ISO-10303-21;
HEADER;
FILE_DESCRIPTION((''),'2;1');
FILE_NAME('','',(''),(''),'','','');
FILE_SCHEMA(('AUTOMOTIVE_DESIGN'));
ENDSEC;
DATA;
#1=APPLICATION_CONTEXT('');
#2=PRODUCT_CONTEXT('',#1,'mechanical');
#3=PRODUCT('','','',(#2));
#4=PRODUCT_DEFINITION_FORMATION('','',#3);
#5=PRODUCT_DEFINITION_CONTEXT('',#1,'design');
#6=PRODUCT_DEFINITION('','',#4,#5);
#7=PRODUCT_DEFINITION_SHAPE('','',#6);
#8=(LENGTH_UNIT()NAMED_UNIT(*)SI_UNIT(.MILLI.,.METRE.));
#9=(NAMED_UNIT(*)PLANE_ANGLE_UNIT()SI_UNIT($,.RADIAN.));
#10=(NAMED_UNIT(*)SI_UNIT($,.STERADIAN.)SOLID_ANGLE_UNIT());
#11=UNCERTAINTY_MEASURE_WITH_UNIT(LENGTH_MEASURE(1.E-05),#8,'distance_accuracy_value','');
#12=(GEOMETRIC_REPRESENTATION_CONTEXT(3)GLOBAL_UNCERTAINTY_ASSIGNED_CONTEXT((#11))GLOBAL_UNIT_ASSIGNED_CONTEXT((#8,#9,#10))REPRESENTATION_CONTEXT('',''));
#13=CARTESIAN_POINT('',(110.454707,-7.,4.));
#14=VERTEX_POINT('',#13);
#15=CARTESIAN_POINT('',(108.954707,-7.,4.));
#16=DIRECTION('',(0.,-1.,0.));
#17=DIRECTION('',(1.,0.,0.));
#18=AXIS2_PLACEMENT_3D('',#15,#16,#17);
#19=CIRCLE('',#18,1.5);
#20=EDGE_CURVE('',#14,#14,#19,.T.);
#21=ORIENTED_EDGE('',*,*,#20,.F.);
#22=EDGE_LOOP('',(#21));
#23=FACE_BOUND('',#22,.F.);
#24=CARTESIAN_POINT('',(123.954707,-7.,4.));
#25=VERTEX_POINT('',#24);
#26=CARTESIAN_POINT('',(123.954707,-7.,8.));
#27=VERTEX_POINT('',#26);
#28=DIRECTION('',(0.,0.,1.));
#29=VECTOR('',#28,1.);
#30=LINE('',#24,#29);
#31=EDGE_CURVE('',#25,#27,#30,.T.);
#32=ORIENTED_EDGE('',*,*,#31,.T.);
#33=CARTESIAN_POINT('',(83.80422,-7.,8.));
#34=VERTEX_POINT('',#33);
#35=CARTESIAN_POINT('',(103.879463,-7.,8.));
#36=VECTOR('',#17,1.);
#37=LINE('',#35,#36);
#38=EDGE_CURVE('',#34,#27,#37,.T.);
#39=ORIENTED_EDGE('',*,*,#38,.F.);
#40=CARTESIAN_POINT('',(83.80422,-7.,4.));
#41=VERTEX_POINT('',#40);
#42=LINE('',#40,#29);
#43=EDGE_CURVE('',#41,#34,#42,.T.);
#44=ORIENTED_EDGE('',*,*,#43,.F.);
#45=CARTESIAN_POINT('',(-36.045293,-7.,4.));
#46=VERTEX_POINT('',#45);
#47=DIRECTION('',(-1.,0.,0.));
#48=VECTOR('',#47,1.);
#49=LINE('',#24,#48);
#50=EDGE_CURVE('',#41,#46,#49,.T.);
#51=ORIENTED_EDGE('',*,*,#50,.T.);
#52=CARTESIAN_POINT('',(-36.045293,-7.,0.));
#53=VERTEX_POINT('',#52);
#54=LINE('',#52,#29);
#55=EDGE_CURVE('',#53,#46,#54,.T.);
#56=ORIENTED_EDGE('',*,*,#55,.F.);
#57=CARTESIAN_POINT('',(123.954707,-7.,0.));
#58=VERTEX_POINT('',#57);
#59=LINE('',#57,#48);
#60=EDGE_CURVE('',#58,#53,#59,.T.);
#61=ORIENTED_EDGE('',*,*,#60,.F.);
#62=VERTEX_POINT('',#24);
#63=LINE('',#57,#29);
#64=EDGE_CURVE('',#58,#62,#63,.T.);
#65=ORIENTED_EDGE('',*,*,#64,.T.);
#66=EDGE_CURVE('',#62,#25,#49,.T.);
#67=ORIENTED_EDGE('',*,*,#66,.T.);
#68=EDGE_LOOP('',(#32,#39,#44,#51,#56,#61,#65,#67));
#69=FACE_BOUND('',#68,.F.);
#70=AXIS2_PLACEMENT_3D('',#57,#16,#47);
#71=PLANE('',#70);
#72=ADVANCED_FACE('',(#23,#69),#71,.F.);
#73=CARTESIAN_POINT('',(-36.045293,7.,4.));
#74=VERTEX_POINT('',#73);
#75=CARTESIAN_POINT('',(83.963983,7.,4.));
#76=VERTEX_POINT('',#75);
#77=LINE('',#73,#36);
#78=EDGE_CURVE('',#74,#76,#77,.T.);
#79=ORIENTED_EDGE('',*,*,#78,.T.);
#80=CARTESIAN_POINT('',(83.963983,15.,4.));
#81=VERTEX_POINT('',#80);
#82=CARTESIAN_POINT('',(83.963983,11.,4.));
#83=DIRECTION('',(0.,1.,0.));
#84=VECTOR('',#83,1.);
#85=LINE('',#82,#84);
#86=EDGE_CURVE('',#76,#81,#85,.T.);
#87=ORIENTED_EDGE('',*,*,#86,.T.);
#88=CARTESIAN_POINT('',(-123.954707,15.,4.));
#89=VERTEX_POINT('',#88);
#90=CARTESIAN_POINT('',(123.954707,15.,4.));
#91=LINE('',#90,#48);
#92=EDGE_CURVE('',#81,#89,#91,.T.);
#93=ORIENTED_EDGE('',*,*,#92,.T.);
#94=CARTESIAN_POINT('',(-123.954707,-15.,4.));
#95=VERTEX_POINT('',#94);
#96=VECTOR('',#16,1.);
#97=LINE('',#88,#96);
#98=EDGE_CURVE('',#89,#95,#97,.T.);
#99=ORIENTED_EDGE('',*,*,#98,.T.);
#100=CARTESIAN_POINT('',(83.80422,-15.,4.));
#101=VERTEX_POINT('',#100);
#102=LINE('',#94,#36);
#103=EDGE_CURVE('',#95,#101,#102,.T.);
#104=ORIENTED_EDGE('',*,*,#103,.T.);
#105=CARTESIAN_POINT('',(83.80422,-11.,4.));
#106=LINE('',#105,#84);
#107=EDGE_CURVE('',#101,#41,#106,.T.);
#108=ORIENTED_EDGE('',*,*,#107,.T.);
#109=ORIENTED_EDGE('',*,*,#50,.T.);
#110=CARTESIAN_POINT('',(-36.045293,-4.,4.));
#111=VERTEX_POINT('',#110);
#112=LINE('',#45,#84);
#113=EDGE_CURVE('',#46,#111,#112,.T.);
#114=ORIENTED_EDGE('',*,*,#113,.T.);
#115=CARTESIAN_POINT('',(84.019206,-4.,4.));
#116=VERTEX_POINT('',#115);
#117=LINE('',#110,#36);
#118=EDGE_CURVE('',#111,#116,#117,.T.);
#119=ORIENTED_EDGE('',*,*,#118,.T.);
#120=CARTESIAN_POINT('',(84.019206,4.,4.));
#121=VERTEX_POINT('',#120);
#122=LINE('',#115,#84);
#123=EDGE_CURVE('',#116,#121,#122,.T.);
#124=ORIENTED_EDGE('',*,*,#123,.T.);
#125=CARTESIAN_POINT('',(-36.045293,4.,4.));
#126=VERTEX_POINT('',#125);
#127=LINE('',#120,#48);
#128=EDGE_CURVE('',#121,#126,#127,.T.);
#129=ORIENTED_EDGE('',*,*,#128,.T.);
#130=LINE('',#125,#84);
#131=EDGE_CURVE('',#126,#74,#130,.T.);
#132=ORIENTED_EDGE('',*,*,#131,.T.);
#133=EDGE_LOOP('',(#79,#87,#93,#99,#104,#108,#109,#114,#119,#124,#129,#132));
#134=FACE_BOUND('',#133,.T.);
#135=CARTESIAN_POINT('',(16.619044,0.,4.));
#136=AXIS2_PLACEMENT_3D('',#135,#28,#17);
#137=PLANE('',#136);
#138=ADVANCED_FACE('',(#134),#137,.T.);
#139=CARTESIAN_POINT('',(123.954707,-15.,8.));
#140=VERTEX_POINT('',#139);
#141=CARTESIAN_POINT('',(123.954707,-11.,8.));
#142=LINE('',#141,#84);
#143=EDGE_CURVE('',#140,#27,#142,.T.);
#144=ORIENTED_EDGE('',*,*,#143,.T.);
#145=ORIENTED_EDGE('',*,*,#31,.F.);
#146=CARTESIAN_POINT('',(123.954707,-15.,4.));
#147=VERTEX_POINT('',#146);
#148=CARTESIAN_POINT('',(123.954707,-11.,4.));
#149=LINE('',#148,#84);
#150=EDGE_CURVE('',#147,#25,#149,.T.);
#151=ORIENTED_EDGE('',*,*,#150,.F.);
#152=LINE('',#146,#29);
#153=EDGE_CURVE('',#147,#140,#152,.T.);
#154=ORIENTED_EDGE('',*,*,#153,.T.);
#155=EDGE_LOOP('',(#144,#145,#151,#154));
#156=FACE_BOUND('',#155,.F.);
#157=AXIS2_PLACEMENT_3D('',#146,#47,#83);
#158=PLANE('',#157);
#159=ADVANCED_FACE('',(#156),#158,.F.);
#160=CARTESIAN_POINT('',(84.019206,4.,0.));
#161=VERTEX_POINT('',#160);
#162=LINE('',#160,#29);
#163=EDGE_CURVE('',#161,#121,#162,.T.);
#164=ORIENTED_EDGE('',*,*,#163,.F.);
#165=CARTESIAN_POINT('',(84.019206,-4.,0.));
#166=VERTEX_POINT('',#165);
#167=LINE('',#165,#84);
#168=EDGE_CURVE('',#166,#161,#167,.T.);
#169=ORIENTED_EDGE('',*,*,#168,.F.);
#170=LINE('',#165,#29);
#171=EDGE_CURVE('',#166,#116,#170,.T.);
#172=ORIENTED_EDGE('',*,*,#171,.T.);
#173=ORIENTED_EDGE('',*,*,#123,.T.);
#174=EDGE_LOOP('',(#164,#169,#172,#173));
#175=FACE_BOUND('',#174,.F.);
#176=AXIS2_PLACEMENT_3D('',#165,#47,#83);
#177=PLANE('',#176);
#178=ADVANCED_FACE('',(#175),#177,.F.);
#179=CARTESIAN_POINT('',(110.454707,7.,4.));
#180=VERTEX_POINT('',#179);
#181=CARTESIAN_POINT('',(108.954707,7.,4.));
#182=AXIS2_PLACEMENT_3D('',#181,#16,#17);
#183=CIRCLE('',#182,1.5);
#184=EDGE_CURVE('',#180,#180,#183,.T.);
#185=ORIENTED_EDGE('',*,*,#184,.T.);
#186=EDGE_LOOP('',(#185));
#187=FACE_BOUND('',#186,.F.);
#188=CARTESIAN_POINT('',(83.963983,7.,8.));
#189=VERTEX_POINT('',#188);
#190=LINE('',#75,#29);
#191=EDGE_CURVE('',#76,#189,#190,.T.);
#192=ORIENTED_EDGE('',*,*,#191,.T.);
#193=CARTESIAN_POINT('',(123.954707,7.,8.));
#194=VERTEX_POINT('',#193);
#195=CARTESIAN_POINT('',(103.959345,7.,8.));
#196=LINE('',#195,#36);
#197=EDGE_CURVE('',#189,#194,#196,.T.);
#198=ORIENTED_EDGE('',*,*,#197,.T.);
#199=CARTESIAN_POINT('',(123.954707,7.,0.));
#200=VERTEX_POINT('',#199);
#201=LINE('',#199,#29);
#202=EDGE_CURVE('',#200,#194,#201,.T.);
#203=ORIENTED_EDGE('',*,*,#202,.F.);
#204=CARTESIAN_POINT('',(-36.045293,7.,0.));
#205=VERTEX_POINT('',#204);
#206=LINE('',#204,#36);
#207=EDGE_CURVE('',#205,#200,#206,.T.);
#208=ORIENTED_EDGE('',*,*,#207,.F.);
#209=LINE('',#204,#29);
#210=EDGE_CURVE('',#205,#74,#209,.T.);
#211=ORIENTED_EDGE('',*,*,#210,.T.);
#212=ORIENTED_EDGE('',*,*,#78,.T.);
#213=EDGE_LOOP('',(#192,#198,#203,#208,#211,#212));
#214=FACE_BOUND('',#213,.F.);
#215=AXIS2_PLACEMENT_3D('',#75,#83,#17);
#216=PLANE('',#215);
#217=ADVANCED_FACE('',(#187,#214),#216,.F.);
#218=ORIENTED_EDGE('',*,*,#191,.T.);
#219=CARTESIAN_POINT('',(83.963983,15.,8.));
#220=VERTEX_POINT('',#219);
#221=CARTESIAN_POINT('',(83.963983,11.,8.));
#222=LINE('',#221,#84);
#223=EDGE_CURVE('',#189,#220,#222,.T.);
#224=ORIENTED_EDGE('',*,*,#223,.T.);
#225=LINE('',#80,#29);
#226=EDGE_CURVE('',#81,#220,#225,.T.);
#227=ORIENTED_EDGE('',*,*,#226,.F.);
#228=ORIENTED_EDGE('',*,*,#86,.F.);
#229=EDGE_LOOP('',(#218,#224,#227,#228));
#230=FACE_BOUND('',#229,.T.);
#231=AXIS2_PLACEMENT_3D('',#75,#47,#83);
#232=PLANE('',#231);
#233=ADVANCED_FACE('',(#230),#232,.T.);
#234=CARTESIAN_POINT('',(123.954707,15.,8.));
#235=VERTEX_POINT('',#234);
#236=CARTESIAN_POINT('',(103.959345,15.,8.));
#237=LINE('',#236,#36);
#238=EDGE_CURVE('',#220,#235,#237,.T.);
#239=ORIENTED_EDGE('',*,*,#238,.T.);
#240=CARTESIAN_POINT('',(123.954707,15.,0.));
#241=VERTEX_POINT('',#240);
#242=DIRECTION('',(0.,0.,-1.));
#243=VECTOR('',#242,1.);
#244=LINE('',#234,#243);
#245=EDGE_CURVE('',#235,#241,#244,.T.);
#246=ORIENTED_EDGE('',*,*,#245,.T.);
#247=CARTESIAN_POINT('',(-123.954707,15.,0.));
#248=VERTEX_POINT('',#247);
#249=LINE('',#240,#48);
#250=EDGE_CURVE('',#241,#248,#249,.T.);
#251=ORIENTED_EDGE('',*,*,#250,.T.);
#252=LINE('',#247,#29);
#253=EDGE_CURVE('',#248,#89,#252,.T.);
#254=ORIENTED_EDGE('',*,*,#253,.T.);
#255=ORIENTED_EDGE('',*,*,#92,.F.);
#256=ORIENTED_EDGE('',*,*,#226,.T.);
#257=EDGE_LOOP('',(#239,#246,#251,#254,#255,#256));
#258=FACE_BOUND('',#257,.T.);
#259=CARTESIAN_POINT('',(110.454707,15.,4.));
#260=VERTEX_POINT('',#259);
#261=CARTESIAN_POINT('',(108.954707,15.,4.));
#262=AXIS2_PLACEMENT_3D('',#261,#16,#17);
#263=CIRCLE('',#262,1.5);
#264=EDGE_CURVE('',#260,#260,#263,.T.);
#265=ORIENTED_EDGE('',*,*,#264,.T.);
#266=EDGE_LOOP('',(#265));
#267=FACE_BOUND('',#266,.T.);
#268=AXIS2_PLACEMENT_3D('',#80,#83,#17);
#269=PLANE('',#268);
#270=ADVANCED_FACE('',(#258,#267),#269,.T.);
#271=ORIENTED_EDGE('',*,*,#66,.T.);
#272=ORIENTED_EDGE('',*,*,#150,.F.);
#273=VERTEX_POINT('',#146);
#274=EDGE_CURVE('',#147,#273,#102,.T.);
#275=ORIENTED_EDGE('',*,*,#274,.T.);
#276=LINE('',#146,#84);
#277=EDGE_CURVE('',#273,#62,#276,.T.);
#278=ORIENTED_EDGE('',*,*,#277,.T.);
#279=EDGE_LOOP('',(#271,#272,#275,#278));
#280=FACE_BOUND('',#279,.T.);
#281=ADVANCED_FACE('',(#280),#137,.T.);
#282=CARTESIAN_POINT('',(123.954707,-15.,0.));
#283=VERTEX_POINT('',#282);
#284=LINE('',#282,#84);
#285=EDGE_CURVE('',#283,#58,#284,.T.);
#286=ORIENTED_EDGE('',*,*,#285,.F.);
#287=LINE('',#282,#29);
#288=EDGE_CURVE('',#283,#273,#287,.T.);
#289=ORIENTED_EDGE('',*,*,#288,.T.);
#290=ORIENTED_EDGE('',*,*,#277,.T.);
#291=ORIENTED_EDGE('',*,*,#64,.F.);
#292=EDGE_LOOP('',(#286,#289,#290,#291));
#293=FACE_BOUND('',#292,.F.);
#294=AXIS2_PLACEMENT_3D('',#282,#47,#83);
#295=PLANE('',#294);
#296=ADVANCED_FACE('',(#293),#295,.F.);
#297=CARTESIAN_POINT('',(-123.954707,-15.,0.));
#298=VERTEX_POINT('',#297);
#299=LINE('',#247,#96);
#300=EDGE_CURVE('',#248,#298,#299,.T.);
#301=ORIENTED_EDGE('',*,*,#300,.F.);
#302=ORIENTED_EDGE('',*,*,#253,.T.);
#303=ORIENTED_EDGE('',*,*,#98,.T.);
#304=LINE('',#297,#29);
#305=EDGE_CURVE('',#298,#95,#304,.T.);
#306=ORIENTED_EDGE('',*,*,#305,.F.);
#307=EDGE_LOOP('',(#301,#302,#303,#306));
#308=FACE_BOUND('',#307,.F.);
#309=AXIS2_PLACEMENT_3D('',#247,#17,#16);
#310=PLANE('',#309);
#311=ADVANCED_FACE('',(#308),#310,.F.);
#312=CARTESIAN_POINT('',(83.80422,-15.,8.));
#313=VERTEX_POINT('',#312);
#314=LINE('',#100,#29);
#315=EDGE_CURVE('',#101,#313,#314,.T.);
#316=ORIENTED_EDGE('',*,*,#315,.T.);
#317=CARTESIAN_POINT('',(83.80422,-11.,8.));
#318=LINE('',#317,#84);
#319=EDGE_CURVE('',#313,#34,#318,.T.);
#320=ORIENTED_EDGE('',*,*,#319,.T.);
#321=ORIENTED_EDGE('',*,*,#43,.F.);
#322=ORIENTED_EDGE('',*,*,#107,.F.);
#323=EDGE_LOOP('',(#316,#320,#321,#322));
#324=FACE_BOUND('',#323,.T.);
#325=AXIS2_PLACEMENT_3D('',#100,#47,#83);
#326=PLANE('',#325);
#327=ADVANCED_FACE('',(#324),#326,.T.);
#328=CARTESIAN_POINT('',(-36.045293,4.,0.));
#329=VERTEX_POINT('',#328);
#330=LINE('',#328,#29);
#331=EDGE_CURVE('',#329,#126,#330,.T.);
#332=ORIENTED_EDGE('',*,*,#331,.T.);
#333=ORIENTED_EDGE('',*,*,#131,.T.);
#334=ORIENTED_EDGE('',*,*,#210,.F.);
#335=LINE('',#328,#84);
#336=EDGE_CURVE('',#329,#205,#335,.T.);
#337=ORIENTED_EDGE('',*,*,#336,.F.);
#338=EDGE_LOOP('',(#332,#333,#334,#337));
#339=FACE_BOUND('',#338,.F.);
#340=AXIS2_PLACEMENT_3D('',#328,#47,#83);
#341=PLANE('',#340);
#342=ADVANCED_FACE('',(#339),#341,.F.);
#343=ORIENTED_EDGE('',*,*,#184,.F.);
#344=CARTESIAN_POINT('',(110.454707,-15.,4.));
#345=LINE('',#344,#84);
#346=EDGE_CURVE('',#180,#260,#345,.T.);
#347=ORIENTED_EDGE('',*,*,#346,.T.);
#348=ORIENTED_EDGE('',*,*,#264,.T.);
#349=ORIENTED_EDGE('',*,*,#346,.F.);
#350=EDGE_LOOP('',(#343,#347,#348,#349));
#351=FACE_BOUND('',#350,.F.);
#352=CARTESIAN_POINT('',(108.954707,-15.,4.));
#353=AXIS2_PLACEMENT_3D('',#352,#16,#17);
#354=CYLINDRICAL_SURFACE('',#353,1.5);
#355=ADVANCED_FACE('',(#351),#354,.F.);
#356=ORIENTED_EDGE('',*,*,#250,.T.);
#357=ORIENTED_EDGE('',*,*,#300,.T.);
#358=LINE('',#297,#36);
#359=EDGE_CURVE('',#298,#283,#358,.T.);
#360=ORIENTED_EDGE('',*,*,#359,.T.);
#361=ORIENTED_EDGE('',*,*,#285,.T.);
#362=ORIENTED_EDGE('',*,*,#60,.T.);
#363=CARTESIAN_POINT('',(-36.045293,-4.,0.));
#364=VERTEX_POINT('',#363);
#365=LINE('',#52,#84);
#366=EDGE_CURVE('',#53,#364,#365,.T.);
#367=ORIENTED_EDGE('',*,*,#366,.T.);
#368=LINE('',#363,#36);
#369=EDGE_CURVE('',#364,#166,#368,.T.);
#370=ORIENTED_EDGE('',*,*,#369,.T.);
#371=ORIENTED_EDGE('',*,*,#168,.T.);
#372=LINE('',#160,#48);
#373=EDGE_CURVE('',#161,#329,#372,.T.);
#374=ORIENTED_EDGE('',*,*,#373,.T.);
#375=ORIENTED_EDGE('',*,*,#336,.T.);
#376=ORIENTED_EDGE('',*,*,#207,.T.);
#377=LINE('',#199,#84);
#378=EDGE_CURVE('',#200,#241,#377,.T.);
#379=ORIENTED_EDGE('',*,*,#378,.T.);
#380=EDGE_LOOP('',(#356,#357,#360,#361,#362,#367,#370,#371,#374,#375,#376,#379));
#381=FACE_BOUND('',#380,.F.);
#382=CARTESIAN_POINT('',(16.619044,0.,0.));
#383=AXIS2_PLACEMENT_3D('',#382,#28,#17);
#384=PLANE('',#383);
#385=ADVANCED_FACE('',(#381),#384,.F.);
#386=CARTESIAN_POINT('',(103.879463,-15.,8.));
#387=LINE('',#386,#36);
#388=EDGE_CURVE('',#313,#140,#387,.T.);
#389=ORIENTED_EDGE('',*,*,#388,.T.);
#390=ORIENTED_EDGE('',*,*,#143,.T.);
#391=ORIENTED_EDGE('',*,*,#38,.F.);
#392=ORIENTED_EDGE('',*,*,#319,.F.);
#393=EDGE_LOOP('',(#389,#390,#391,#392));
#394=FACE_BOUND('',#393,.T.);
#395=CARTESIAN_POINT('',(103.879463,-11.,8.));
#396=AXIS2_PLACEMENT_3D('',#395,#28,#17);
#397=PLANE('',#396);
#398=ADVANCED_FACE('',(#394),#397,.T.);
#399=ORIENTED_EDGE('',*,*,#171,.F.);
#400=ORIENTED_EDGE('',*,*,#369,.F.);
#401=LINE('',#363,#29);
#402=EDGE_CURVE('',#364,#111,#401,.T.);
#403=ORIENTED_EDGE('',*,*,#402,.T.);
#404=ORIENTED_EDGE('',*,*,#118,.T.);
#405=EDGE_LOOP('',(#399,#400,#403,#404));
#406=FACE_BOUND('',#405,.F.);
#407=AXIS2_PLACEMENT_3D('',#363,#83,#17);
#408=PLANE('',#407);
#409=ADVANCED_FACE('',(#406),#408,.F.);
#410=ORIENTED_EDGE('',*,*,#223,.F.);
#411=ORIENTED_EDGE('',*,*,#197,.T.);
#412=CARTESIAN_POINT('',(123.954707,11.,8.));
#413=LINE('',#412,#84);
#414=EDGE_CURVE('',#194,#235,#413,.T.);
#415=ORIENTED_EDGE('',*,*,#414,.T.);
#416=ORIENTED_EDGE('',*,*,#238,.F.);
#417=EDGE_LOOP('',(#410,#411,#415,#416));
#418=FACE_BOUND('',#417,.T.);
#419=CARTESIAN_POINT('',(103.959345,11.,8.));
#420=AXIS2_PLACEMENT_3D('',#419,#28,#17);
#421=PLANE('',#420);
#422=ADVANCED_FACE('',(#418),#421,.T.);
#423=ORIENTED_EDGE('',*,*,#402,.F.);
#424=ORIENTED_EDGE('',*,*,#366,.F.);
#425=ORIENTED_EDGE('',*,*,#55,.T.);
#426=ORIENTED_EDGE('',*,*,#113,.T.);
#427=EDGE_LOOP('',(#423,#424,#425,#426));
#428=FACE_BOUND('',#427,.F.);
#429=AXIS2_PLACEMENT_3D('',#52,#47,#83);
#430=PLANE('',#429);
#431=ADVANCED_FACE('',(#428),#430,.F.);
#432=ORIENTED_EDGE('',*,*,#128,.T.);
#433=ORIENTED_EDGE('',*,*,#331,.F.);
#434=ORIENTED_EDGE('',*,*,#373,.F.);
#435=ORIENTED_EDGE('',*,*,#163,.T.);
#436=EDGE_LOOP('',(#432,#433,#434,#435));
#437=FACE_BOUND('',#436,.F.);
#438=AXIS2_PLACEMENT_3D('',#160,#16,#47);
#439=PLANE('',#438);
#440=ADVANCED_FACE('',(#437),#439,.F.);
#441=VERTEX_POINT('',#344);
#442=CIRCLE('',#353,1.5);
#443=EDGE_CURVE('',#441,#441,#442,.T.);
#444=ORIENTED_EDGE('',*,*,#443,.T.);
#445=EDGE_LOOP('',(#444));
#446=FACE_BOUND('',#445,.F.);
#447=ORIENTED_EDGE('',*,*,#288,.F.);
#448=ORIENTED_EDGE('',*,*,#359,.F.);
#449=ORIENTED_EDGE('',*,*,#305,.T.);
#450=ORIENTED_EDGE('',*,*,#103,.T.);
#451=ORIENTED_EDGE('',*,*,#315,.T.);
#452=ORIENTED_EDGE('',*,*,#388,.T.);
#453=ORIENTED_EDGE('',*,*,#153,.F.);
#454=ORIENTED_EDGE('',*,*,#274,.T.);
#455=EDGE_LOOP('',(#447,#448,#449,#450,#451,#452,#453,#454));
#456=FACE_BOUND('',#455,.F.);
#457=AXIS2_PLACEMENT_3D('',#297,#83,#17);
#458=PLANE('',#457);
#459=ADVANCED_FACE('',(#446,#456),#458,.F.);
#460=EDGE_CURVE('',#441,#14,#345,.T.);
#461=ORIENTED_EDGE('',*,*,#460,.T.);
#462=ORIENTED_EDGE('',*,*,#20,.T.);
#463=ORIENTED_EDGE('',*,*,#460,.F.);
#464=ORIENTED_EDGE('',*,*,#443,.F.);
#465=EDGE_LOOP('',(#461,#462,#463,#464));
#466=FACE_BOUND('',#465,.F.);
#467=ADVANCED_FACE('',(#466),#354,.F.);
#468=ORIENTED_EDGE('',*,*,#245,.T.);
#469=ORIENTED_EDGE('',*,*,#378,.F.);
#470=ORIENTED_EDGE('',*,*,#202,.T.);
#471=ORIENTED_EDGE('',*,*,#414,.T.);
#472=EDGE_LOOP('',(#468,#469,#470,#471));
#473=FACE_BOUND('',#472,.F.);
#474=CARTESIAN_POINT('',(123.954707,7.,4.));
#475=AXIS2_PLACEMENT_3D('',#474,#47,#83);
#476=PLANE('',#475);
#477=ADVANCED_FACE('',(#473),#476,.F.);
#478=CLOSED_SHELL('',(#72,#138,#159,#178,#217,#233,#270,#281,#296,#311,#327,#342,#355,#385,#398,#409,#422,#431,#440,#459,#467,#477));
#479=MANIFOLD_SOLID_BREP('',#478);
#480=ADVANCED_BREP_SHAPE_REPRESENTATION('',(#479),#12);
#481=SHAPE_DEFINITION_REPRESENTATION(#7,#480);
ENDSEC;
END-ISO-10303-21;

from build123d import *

# Parameters (mm, degrees)
F1_DEPTH = 4
F2_W     = 39.990724
F2_H     = 8
F2_W_2   = 40.150487
F3_DEPTH = 4
F4_DEPTH = 4
F5_R     = 1.5
F6_DEPTH = 43


with BuildPart() as f1:
    # F0 (on Top) → F1 (new body)
    with BuildSketch(Plane.XY):
        Polygon((-123.954707, -15), (123.954707, -15), (123.954707, -7), (-36.045293, -7), (-36.045293, -4), (84.019206, -4), (84.019206, 4), (83.963744, 4), (83.954707, 4), (-36.045293, 4), (-36.045293, 7), (123.954707, 7), (123.954707, 15), (-123.954707, 15), align=None)
    extrude(amount=F1_DEPTH)

    # F2 (on face) → F3 (join)
    with BuildSketch(Plane.XY.offset(4)):
        with Locations((103.959345, 11)):
            Rectangle(F2_W, F2_H)
        with Locations((103.879463, -11)):
            Rectangle(F2_W_2, F2_H)
    extrude(amount=F3_DEPTH)

    # F2 (on face) → F4 (join)
    with BuildSketch(Plane.XY.offset(4)):
        with Locations((103.959345, 11)):
            Rectangle(F2_W, F2_H)
        with Locations((103.879463, -11)):
            Rectangle(F2_W_2, F2_H)
    extrude(amount=F4_DEPTH)

    # F5 (on face) → F6 (cut)
    with BuildSketch(Plane.XZ.offset(15)):
        with Locations((108.954707, 4)):
            Circle(F5_R)
    extrude(amount=-F6_DEPTH, mode=Mode.SUBTRACT)


solid = f1.part
